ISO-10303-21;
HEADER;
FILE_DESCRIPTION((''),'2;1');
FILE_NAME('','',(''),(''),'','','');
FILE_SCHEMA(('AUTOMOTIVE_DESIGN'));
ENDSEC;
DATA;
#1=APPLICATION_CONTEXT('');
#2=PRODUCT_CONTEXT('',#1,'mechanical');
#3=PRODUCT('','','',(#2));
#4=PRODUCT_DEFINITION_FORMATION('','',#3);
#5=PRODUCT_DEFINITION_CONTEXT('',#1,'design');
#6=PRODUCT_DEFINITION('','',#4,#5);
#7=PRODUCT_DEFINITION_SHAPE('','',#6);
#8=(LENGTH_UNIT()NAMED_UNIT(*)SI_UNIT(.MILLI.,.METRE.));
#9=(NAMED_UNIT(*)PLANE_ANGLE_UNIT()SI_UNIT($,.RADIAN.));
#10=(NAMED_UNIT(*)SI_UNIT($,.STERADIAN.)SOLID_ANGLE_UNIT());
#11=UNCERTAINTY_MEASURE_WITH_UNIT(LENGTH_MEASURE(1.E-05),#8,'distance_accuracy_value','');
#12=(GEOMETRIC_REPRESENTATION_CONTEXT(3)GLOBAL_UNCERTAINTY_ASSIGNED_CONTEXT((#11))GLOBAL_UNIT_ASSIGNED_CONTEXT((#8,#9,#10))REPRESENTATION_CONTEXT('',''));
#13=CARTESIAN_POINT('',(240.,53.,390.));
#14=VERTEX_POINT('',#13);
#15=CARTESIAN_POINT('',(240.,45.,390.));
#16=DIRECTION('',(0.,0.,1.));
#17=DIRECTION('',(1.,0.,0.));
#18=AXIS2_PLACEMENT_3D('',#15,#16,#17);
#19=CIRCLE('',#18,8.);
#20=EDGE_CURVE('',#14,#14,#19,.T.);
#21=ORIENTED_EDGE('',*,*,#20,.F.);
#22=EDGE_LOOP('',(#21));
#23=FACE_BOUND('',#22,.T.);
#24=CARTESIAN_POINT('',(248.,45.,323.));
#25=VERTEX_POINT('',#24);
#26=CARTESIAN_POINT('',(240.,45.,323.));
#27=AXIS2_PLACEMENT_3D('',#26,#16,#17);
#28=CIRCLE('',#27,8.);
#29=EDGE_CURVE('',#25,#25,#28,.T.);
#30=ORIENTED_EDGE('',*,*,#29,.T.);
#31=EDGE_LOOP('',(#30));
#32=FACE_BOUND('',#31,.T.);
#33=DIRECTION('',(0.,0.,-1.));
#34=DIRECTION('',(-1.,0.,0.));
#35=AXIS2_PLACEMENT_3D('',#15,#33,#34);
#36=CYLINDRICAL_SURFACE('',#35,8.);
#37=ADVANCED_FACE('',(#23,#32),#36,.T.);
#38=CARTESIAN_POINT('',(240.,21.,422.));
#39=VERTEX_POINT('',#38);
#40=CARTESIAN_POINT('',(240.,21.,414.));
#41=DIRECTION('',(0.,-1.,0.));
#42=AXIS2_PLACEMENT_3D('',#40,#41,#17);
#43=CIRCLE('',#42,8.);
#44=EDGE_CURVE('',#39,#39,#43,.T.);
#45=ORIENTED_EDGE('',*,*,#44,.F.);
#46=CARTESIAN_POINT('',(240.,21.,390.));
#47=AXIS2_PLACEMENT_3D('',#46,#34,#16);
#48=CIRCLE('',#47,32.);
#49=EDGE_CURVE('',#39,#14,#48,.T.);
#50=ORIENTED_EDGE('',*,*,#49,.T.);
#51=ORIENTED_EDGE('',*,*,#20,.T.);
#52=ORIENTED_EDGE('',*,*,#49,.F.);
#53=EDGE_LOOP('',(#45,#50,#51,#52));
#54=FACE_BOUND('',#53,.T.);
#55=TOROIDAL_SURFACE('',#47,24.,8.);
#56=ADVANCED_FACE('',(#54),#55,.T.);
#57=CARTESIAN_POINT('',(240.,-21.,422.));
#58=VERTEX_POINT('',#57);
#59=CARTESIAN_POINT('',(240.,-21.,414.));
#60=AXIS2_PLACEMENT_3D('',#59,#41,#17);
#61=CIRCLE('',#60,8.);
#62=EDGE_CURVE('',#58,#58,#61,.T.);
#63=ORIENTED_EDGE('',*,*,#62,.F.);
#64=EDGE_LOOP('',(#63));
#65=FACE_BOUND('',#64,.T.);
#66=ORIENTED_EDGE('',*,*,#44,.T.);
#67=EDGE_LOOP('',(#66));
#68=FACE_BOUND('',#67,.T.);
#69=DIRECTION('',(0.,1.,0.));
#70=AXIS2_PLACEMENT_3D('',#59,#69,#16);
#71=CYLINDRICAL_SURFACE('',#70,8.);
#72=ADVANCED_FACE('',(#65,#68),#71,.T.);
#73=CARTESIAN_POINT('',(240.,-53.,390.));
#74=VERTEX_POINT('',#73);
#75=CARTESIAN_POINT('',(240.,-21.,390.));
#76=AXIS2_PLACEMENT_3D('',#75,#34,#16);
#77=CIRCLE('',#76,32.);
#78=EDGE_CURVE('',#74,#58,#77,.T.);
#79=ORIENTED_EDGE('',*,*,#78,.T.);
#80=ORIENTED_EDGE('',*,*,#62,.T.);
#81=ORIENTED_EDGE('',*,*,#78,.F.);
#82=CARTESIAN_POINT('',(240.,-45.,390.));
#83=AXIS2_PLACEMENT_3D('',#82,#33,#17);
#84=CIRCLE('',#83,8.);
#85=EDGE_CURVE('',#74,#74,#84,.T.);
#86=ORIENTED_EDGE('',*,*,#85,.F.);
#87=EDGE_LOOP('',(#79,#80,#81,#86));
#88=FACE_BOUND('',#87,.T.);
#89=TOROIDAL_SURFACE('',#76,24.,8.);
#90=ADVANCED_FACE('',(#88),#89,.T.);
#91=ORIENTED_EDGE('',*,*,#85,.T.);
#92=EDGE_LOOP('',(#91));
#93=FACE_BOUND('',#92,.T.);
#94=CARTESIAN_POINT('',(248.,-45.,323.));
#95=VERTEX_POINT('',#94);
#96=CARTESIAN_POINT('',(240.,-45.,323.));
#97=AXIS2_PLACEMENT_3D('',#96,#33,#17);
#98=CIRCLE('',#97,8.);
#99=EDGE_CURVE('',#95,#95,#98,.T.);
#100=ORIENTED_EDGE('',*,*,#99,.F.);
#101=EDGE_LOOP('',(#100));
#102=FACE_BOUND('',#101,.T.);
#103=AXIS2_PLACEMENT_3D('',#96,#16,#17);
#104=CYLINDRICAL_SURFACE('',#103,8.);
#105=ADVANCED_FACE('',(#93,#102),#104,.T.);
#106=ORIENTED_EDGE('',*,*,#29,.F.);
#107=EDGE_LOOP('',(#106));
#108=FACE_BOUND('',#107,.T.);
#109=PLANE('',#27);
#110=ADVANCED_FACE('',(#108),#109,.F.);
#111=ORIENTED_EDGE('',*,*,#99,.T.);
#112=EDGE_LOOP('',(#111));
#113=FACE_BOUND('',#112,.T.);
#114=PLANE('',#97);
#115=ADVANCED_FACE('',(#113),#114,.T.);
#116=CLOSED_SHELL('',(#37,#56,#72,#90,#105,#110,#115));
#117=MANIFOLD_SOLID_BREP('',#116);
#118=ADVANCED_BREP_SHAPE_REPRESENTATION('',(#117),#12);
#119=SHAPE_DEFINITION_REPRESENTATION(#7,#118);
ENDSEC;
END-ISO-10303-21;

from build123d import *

# Parameters (mm, degrees)
PIPE_1_PROFILE_R = 8


with BuildPart() as part:
    # Pipe 1: sweep along a curve in space
    with BuildLine() as pipe_1_path:
        Line((240, -45, 323), (240, -45, 390))
        ThreePointArc((240, -45, 390), (240, -37.970562748, 406.970562748), (240, -21, 414))
        Line((240, -21, 414), (240, 21, 414))
        ThreePointArc((240, 21, 414), (240, 37.970562748, 406.970562748), (240, 45, 390))
        Line((240, 45, 390), (240, 45, 323))
    # Pipe 1 profile (on start of the path) → Pipe 1 (sweep)
    with BuildSketch(Plane(origin=(240, -45, 323), x_dir=(1, 0, 0), z_dir=(0, 0, 1))):
        Circle(PIPE_1_PROFILE_R)
    sweep(path=pipe_1_path.line)


solid = part.part
